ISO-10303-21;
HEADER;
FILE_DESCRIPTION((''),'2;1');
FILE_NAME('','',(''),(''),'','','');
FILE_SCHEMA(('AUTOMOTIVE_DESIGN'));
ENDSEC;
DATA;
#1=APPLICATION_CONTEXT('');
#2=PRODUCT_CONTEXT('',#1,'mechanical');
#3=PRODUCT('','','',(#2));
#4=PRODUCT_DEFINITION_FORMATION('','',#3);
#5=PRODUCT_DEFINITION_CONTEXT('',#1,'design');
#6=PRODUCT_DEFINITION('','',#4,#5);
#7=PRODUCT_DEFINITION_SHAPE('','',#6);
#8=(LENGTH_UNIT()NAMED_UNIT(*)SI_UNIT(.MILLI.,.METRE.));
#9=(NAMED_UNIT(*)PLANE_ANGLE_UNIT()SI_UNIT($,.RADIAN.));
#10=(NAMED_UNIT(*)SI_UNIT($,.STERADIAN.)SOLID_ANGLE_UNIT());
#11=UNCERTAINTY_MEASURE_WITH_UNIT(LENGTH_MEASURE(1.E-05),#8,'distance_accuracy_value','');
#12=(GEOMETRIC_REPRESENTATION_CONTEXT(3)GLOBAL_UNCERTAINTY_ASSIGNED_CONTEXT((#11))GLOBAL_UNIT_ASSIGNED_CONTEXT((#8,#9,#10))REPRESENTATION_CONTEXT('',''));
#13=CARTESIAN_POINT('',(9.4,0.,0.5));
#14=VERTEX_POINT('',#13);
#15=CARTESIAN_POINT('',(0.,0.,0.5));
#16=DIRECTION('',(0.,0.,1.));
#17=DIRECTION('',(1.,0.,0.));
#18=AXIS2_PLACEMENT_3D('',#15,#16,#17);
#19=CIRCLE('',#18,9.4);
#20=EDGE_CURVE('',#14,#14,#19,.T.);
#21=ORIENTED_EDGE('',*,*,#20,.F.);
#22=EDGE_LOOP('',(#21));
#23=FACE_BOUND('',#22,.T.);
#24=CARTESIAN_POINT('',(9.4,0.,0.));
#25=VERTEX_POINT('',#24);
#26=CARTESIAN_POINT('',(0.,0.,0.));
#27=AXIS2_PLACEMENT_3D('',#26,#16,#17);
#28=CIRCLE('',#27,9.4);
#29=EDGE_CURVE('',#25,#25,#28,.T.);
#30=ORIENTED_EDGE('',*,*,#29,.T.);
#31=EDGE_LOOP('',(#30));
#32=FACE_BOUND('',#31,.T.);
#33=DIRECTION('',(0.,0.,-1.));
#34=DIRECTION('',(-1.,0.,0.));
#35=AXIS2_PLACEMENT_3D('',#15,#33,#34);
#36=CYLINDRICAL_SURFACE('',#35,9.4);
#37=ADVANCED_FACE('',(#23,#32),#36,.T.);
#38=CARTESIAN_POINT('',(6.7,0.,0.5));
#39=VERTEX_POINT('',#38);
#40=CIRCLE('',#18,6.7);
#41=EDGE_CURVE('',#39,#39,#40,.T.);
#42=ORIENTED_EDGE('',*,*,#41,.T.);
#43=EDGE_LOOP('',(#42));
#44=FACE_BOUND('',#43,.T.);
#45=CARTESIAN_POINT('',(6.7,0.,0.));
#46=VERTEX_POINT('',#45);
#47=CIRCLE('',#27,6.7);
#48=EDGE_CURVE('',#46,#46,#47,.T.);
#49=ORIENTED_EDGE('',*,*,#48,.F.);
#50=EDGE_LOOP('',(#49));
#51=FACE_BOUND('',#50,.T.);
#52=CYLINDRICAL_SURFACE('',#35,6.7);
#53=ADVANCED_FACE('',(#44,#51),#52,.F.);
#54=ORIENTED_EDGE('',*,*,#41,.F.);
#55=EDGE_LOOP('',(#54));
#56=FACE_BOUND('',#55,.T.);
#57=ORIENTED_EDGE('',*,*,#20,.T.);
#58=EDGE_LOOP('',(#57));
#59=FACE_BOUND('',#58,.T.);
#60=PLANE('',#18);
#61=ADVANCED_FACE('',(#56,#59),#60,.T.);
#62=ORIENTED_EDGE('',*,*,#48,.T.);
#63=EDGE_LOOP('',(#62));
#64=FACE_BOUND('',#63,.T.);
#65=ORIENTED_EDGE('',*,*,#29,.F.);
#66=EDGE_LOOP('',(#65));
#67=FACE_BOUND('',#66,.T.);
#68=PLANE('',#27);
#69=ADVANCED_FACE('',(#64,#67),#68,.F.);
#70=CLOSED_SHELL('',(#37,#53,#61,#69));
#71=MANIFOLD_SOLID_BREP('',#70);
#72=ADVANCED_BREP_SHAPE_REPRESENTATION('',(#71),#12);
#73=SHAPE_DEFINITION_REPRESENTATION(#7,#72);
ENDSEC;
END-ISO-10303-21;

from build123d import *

# Parameters (mm, degrees)
IZIM1_R                     = 9.4
IZIM1_R_2                   = 6.7
Y_KSEKLIK_EKSTR_ZYON1_DEPTH = 0.5


with BuildPart() as part:
    # Çizim1 → Yükseklik-Ekstrüzyon1 (new body)
    with BuildSketch(Plane.XY):
        Circle(IZIM1_R)
        Circle(IZIM1_R_2, mode=Mode.SUBTRACT)
    extrude(amount=Y_KSEKLIK_EKSTR_ZYON1_DEPTH)


solid = part.part
